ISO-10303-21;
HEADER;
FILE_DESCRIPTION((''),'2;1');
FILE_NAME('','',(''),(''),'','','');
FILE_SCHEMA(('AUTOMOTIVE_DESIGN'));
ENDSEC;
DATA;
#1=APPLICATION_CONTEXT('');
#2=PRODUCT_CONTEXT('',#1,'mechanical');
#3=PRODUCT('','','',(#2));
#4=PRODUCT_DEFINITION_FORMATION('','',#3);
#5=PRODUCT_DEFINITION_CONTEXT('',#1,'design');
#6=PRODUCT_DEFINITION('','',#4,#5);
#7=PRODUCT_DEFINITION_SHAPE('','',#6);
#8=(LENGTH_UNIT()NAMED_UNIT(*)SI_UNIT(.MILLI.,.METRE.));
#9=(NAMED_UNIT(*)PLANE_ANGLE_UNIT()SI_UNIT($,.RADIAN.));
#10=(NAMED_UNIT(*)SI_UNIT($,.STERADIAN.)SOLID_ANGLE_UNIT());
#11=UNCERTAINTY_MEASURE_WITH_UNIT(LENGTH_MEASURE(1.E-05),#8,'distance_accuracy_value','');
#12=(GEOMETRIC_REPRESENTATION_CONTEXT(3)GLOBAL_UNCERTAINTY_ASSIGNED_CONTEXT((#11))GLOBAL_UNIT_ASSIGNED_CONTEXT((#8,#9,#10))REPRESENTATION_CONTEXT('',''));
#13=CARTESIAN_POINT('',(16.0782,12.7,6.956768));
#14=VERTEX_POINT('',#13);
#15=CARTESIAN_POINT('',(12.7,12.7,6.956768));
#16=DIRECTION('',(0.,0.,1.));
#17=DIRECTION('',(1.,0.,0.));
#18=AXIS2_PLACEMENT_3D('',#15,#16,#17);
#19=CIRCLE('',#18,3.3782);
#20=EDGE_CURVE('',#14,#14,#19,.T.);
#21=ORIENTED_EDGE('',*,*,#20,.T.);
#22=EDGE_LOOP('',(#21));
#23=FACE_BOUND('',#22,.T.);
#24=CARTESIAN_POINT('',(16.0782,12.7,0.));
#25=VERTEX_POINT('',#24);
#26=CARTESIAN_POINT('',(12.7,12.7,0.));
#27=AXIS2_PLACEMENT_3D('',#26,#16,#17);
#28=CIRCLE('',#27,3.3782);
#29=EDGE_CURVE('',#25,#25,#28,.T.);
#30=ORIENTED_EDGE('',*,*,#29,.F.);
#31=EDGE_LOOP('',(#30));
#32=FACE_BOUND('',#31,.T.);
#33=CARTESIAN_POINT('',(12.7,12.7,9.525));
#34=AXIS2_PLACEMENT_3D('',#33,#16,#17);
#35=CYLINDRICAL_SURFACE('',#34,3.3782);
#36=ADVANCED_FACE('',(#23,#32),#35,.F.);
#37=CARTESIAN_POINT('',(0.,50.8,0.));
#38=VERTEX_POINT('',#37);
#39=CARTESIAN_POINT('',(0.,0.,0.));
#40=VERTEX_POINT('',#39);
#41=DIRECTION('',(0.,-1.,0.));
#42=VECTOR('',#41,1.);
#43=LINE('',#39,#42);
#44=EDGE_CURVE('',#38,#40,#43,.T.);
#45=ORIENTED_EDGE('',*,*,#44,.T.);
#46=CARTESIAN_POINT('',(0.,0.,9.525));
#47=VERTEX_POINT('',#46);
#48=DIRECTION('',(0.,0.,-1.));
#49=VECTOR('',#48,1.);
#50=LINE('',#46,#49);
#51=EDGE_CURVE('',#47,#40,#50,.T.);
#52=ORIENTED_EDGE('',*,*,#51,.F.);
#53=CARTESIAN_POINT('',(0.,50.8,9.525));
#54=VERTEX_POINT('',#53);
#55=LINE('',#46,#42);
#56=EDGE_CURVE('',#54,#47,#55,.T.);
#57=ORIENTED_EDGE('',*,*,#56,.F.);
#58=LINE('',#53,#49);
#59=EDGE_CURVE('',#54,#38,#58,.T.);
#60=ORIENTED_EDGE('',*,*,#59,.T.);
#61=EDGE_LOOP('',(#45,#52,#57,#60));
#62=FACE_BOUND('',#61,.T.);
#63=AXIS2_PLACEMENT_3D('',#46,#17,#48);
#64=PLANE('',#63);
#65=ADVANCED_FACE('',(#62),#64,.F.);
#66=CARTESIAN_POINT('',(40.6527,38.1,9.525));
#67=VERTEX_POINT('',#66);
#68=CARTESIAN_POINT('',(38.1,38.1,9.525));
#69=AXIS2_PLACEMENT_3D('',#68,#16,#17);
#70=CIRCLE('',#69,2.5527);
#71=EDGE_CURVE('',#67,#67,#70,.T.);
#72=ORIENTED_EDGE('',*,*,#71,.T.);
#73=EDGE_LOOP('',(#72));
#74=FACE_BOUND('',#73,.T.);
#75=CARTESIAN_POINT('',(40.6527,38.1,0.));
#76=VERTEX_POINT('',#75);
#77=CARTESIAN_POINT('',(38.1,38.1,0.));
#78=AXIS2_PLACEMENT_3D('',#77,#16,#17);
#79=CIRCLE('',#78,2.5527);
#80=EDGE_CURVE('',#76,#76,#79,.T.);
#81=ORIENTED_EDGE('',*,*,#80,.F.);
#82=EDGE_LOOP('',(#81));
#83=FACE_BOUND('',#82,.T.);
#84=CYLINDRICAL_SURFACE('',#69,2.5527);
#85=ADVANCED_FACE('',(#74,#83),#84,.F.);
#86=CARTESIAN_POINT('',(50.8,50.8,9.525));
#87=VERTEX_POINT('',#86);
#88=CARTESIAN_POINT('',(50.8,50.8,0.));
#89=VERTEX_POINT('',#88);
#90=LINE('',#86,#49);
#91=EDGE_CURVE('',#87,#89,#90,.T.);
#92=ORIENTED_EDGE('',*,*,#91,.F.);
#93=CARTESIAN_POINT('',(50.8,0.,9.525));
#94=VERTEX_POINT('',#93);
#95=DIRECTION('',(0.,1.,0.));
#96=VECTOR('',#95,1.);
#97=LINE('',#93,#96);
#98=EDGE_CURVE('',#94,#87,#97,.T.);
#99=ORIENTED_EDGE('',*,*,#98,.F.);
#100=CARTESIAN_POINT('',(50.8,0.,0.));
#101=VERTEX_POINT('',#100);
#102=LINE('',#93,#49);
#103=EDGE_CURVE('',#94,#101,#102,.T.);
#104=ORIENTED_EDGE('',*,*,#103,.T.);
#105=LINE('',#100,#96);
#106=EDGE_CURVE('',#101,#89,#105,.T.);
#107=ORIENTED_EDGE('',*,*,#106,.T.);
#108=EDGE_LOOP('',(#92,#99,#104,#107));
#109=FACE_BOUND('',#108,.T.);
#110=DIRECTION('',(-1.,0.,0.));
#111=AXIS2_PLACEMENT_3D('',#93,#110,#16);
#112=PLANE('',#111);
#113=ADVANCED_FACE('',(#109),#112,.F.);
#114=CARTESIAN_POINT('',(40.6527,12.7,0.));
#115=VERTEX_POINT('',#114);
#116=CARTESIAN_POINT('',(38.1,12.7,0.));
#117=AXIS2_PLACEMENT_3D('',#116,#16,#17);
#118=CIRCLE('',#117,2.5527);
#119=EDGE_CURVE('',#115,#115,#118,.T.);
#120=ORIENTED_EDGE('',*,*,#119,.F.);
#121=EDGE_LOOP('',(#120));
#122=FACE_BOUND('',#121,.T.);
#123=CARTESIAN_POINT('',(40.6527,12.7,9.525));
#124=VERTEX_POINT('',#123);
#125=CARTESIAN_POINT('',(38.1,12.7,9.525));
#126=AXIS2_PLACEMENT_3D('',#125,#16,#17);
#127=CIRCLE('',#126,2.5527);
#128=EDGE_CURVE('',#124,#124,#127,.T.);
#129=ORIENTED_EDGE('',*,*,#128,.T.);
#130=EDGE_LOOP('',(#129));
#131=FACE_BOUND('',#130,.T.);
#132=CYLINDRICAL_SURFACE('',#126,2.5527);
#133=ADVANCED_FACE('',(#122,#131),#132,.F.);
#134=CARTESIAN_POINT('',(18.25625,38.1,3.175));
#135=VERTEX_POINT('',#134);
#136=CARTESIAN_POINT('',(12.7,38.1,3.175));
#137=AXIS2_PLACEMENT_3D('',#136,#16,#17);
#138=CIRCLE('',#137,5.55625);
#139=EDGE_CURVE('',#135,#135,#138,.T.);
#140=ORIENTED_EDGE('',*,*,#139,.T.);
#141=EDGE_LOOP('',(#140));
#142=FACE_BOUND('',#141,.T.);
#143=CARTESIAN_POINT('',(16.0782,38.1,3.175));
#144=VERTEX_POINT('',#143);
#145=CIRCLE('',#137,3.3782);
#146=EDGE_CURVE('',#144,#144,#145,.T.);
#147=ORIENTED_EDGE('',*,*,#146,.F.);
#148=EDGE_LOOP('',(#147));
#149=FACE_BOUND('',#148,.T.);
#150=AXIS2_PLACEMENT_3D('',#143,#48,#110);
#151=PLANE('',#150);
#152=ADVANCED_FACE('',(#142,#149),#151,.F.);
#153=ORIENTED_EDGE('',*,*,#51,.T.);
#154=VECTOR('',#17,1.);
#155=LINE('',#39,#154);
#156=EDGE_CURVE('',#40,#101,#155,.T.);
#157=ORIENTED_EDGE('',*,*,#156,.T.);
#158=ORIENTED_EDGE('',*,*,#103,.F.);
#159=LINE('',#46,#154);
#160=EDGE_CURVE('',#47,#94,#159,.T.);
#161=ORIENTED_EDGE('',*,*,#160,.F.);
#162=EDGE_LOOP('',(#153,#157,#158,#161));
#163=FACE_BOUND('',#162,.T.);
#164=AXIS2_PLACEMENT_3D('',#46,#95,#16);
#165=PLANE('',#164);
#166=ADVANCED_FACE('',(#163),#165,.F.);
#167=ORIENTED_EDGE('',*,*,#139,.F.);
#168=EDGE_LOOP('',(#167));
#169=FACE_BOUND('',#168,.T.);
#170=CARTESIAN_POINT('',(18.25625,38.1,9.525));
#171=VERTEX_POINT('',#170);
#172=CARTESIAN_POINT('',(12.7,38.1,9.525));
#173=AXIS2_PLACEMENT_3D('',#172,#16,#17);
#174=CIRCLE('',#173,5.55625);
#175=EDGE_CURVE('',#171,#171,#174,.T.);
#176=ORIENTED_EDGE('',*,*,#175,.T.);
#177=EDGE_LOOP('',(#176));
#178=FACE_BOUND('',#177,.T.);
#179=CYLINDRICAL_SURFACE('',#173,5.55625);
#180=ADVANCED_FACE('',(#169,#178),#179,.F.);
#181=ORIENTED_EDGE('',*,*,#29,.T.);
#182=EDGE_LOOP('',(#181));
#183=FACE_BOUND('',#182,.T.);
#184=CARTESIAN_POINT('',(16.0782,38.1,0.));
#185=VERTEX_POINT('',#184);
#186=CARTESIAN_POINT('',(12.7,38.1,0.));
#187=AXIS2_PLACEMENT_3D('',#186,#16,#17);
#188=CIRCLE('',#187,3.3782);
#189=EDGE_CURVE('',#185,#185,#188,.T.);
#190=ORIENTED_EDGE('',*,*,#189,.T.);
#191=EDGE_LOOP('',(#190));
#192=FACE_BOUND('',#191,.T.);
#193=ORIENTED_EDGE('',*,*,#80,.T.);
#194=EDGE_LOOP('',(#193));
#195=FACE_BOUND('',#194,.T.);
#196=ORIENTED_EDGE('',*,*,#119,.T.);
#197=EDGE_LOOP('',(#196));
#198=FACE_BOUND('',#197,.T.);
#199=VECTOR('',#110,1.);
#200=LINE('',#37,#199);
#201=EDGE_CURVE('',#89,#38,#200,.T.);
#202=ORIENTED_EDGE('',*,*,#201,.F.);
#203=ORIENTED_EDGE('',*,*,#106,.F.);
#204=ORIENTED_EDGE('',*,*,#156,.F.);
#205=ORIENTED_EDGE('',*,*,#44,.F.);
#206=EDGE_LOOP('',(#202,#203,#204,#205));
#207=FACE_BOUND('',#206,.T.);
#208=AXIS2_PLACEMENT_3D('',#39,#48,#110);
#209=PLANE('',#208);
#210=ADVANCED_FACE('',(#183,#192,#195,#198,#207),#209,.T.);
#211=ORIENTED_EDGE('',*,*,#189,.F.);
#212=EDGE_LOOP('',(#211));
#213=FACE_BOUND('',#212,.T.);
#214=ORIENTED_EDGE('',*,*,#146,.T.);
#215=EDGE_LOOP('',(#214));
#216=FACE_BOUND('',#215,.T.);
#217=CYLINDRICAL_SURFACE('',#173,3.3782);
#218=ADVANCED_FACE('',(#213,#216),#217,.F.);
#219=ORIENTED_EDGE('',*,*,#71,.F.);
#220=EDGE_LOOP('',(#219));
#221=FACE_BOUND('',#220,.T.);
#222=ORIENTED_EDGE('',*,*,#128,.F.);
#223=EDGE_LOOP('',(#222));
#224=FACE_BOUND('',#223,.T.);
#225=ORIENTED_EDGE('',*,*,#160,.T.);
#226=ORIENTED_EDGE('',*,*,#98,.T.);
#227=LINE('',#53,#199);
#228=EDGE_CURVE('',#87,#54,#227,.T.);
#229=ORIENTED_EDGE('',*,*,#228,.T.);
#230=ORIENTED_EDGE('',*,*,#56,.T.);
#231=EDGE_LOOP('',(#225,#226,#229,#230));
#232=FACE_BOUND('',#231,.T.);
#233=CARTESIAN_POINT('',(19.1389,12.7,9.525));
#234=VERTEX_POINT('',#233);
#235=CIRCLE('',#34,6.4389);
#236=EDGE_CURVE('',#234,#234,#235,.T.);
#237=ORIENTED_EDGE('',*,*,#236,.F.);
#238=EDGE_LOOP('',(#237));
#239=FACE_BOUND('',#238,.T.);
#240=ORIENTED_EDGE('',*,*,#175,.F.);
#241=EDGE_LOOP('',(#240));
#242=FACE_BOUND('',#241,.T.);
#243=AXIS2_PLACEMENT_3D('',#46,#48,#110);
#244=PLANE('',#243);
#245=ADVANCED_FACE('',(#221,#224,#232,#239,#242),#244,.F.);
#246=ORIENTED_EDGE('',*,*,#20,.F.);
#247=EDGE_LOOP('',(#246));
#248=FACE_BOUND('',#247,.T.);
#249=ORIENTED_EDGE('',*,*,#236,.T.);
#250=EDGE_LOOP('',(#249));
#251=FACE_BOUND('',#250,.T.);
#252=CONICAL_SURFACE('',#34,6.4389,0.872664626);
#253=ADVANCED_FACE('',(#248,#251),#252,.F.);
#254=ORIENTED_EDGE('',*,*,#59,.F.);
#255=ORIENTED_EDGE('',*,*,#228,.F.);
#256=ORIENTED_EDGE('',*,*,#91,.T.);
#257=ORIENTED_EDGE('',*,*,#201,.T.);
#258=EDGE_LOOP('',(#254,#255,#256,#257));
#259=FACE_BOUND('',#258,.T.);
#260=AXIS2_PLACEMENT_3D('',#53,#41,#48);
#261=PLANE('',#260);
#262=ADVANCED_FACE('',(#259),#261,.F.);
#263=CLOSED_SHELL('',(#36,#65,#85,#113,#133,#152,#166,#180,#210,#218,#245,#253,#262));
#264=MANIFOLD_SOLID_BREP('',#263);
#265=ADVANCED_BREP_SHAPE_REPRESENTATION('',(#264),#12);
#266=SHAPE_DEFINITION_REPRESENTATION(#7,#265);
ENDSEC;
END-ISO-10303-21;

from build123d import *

# Parameters (mm, degrees)
SKETCH1_W                                           = 50.8
SKETCH1_H                                           = 50.8
BOSS_EXTRUDE1_DEPTH                                 = 9.525
CBORE_FOR_1_4_SOCKET_HEAD_CAP_SCREW1_D              = 6.7564
CBORE_FOR_1_4_SOCKET_HEAD_CAP_SCREW1_CBORE_D        = 11.1125
CBORE_FOR_1_4_SOCKET_HEAD_CAP_SCREW1_CBORE_DEPTH    = 6.35
F_1_4_20_TAPPED_HOLE1_D                             = 5.1054
CSK_FOR_1_4_FLAT_HEAD_MACHINE_SCREW_100_D           = 6.7564
CSK_FOR_1_4_FLAT_HEAD_MACHINE_SCREW_100_CSINK_D     = 12.8778
CSK_FOR_1_4_FLAT_HEAD_MACHINE_SCREW_100_CSINK_ANGLE = 100


with BuildPart() as part:
    # Sketch1 → Boss-Extrude1 (new body)
    with BuildSketch(Plane.XY):
        with Locations((25.4, 25.4)):
            Rectangle(SKETCH1_W, SKETCH1_H)
    extrude(amount=BOSS_EXTRUDE1_DEPTH)

    # CBORE for 1/4 Socket Head Cap Screw1 (through all)
    with Locations(Plane.XY.offset(9.525)):
        with Locations((12.7, 38.1)):
            CounterBoreHole(CBORE_FOR_1_4_SOCKET_HEAD_CAP_SCREW1_D / 2, CBORE_FOR_1_4_SOCKET_HEAD_CAP_SCREW1_CBORE_D / 2, CBORE_FOR_1_4_SOCKET_HEAD_CAP_SCREW1_CBORE_DEPTH)

    # 1/4-20 Tapped Hole1 (through all)
    with Locations(Plane.XY.offset(9.525)):
        with Locations((38.1, 38.1), (38.1, 12.7)):
            Hole(F_1_4_20_TAPPED_HOLE1_D / 2)

    # CSK for 1/4 Flat Head Machine Screw (100)1 (through all)
    with Locations(Plane.XY.offset(9.525)):
        with Locations((12.7, 12.7)):
            CounterSinkHole(CSK_FOR_1_4_FLAT_HEAD_MACHINE_SCREW_100_D / 2, CSK_FOR_1_4_FLAT_HEAD_MACHINE_SCREW_100_CSINK_D / 2, counter_sink_angle=CSK_FOR_1_4_FLAT_HEAD_MACHINE_SCREW_100_CSINK_ANGLE)


solid = part.part
